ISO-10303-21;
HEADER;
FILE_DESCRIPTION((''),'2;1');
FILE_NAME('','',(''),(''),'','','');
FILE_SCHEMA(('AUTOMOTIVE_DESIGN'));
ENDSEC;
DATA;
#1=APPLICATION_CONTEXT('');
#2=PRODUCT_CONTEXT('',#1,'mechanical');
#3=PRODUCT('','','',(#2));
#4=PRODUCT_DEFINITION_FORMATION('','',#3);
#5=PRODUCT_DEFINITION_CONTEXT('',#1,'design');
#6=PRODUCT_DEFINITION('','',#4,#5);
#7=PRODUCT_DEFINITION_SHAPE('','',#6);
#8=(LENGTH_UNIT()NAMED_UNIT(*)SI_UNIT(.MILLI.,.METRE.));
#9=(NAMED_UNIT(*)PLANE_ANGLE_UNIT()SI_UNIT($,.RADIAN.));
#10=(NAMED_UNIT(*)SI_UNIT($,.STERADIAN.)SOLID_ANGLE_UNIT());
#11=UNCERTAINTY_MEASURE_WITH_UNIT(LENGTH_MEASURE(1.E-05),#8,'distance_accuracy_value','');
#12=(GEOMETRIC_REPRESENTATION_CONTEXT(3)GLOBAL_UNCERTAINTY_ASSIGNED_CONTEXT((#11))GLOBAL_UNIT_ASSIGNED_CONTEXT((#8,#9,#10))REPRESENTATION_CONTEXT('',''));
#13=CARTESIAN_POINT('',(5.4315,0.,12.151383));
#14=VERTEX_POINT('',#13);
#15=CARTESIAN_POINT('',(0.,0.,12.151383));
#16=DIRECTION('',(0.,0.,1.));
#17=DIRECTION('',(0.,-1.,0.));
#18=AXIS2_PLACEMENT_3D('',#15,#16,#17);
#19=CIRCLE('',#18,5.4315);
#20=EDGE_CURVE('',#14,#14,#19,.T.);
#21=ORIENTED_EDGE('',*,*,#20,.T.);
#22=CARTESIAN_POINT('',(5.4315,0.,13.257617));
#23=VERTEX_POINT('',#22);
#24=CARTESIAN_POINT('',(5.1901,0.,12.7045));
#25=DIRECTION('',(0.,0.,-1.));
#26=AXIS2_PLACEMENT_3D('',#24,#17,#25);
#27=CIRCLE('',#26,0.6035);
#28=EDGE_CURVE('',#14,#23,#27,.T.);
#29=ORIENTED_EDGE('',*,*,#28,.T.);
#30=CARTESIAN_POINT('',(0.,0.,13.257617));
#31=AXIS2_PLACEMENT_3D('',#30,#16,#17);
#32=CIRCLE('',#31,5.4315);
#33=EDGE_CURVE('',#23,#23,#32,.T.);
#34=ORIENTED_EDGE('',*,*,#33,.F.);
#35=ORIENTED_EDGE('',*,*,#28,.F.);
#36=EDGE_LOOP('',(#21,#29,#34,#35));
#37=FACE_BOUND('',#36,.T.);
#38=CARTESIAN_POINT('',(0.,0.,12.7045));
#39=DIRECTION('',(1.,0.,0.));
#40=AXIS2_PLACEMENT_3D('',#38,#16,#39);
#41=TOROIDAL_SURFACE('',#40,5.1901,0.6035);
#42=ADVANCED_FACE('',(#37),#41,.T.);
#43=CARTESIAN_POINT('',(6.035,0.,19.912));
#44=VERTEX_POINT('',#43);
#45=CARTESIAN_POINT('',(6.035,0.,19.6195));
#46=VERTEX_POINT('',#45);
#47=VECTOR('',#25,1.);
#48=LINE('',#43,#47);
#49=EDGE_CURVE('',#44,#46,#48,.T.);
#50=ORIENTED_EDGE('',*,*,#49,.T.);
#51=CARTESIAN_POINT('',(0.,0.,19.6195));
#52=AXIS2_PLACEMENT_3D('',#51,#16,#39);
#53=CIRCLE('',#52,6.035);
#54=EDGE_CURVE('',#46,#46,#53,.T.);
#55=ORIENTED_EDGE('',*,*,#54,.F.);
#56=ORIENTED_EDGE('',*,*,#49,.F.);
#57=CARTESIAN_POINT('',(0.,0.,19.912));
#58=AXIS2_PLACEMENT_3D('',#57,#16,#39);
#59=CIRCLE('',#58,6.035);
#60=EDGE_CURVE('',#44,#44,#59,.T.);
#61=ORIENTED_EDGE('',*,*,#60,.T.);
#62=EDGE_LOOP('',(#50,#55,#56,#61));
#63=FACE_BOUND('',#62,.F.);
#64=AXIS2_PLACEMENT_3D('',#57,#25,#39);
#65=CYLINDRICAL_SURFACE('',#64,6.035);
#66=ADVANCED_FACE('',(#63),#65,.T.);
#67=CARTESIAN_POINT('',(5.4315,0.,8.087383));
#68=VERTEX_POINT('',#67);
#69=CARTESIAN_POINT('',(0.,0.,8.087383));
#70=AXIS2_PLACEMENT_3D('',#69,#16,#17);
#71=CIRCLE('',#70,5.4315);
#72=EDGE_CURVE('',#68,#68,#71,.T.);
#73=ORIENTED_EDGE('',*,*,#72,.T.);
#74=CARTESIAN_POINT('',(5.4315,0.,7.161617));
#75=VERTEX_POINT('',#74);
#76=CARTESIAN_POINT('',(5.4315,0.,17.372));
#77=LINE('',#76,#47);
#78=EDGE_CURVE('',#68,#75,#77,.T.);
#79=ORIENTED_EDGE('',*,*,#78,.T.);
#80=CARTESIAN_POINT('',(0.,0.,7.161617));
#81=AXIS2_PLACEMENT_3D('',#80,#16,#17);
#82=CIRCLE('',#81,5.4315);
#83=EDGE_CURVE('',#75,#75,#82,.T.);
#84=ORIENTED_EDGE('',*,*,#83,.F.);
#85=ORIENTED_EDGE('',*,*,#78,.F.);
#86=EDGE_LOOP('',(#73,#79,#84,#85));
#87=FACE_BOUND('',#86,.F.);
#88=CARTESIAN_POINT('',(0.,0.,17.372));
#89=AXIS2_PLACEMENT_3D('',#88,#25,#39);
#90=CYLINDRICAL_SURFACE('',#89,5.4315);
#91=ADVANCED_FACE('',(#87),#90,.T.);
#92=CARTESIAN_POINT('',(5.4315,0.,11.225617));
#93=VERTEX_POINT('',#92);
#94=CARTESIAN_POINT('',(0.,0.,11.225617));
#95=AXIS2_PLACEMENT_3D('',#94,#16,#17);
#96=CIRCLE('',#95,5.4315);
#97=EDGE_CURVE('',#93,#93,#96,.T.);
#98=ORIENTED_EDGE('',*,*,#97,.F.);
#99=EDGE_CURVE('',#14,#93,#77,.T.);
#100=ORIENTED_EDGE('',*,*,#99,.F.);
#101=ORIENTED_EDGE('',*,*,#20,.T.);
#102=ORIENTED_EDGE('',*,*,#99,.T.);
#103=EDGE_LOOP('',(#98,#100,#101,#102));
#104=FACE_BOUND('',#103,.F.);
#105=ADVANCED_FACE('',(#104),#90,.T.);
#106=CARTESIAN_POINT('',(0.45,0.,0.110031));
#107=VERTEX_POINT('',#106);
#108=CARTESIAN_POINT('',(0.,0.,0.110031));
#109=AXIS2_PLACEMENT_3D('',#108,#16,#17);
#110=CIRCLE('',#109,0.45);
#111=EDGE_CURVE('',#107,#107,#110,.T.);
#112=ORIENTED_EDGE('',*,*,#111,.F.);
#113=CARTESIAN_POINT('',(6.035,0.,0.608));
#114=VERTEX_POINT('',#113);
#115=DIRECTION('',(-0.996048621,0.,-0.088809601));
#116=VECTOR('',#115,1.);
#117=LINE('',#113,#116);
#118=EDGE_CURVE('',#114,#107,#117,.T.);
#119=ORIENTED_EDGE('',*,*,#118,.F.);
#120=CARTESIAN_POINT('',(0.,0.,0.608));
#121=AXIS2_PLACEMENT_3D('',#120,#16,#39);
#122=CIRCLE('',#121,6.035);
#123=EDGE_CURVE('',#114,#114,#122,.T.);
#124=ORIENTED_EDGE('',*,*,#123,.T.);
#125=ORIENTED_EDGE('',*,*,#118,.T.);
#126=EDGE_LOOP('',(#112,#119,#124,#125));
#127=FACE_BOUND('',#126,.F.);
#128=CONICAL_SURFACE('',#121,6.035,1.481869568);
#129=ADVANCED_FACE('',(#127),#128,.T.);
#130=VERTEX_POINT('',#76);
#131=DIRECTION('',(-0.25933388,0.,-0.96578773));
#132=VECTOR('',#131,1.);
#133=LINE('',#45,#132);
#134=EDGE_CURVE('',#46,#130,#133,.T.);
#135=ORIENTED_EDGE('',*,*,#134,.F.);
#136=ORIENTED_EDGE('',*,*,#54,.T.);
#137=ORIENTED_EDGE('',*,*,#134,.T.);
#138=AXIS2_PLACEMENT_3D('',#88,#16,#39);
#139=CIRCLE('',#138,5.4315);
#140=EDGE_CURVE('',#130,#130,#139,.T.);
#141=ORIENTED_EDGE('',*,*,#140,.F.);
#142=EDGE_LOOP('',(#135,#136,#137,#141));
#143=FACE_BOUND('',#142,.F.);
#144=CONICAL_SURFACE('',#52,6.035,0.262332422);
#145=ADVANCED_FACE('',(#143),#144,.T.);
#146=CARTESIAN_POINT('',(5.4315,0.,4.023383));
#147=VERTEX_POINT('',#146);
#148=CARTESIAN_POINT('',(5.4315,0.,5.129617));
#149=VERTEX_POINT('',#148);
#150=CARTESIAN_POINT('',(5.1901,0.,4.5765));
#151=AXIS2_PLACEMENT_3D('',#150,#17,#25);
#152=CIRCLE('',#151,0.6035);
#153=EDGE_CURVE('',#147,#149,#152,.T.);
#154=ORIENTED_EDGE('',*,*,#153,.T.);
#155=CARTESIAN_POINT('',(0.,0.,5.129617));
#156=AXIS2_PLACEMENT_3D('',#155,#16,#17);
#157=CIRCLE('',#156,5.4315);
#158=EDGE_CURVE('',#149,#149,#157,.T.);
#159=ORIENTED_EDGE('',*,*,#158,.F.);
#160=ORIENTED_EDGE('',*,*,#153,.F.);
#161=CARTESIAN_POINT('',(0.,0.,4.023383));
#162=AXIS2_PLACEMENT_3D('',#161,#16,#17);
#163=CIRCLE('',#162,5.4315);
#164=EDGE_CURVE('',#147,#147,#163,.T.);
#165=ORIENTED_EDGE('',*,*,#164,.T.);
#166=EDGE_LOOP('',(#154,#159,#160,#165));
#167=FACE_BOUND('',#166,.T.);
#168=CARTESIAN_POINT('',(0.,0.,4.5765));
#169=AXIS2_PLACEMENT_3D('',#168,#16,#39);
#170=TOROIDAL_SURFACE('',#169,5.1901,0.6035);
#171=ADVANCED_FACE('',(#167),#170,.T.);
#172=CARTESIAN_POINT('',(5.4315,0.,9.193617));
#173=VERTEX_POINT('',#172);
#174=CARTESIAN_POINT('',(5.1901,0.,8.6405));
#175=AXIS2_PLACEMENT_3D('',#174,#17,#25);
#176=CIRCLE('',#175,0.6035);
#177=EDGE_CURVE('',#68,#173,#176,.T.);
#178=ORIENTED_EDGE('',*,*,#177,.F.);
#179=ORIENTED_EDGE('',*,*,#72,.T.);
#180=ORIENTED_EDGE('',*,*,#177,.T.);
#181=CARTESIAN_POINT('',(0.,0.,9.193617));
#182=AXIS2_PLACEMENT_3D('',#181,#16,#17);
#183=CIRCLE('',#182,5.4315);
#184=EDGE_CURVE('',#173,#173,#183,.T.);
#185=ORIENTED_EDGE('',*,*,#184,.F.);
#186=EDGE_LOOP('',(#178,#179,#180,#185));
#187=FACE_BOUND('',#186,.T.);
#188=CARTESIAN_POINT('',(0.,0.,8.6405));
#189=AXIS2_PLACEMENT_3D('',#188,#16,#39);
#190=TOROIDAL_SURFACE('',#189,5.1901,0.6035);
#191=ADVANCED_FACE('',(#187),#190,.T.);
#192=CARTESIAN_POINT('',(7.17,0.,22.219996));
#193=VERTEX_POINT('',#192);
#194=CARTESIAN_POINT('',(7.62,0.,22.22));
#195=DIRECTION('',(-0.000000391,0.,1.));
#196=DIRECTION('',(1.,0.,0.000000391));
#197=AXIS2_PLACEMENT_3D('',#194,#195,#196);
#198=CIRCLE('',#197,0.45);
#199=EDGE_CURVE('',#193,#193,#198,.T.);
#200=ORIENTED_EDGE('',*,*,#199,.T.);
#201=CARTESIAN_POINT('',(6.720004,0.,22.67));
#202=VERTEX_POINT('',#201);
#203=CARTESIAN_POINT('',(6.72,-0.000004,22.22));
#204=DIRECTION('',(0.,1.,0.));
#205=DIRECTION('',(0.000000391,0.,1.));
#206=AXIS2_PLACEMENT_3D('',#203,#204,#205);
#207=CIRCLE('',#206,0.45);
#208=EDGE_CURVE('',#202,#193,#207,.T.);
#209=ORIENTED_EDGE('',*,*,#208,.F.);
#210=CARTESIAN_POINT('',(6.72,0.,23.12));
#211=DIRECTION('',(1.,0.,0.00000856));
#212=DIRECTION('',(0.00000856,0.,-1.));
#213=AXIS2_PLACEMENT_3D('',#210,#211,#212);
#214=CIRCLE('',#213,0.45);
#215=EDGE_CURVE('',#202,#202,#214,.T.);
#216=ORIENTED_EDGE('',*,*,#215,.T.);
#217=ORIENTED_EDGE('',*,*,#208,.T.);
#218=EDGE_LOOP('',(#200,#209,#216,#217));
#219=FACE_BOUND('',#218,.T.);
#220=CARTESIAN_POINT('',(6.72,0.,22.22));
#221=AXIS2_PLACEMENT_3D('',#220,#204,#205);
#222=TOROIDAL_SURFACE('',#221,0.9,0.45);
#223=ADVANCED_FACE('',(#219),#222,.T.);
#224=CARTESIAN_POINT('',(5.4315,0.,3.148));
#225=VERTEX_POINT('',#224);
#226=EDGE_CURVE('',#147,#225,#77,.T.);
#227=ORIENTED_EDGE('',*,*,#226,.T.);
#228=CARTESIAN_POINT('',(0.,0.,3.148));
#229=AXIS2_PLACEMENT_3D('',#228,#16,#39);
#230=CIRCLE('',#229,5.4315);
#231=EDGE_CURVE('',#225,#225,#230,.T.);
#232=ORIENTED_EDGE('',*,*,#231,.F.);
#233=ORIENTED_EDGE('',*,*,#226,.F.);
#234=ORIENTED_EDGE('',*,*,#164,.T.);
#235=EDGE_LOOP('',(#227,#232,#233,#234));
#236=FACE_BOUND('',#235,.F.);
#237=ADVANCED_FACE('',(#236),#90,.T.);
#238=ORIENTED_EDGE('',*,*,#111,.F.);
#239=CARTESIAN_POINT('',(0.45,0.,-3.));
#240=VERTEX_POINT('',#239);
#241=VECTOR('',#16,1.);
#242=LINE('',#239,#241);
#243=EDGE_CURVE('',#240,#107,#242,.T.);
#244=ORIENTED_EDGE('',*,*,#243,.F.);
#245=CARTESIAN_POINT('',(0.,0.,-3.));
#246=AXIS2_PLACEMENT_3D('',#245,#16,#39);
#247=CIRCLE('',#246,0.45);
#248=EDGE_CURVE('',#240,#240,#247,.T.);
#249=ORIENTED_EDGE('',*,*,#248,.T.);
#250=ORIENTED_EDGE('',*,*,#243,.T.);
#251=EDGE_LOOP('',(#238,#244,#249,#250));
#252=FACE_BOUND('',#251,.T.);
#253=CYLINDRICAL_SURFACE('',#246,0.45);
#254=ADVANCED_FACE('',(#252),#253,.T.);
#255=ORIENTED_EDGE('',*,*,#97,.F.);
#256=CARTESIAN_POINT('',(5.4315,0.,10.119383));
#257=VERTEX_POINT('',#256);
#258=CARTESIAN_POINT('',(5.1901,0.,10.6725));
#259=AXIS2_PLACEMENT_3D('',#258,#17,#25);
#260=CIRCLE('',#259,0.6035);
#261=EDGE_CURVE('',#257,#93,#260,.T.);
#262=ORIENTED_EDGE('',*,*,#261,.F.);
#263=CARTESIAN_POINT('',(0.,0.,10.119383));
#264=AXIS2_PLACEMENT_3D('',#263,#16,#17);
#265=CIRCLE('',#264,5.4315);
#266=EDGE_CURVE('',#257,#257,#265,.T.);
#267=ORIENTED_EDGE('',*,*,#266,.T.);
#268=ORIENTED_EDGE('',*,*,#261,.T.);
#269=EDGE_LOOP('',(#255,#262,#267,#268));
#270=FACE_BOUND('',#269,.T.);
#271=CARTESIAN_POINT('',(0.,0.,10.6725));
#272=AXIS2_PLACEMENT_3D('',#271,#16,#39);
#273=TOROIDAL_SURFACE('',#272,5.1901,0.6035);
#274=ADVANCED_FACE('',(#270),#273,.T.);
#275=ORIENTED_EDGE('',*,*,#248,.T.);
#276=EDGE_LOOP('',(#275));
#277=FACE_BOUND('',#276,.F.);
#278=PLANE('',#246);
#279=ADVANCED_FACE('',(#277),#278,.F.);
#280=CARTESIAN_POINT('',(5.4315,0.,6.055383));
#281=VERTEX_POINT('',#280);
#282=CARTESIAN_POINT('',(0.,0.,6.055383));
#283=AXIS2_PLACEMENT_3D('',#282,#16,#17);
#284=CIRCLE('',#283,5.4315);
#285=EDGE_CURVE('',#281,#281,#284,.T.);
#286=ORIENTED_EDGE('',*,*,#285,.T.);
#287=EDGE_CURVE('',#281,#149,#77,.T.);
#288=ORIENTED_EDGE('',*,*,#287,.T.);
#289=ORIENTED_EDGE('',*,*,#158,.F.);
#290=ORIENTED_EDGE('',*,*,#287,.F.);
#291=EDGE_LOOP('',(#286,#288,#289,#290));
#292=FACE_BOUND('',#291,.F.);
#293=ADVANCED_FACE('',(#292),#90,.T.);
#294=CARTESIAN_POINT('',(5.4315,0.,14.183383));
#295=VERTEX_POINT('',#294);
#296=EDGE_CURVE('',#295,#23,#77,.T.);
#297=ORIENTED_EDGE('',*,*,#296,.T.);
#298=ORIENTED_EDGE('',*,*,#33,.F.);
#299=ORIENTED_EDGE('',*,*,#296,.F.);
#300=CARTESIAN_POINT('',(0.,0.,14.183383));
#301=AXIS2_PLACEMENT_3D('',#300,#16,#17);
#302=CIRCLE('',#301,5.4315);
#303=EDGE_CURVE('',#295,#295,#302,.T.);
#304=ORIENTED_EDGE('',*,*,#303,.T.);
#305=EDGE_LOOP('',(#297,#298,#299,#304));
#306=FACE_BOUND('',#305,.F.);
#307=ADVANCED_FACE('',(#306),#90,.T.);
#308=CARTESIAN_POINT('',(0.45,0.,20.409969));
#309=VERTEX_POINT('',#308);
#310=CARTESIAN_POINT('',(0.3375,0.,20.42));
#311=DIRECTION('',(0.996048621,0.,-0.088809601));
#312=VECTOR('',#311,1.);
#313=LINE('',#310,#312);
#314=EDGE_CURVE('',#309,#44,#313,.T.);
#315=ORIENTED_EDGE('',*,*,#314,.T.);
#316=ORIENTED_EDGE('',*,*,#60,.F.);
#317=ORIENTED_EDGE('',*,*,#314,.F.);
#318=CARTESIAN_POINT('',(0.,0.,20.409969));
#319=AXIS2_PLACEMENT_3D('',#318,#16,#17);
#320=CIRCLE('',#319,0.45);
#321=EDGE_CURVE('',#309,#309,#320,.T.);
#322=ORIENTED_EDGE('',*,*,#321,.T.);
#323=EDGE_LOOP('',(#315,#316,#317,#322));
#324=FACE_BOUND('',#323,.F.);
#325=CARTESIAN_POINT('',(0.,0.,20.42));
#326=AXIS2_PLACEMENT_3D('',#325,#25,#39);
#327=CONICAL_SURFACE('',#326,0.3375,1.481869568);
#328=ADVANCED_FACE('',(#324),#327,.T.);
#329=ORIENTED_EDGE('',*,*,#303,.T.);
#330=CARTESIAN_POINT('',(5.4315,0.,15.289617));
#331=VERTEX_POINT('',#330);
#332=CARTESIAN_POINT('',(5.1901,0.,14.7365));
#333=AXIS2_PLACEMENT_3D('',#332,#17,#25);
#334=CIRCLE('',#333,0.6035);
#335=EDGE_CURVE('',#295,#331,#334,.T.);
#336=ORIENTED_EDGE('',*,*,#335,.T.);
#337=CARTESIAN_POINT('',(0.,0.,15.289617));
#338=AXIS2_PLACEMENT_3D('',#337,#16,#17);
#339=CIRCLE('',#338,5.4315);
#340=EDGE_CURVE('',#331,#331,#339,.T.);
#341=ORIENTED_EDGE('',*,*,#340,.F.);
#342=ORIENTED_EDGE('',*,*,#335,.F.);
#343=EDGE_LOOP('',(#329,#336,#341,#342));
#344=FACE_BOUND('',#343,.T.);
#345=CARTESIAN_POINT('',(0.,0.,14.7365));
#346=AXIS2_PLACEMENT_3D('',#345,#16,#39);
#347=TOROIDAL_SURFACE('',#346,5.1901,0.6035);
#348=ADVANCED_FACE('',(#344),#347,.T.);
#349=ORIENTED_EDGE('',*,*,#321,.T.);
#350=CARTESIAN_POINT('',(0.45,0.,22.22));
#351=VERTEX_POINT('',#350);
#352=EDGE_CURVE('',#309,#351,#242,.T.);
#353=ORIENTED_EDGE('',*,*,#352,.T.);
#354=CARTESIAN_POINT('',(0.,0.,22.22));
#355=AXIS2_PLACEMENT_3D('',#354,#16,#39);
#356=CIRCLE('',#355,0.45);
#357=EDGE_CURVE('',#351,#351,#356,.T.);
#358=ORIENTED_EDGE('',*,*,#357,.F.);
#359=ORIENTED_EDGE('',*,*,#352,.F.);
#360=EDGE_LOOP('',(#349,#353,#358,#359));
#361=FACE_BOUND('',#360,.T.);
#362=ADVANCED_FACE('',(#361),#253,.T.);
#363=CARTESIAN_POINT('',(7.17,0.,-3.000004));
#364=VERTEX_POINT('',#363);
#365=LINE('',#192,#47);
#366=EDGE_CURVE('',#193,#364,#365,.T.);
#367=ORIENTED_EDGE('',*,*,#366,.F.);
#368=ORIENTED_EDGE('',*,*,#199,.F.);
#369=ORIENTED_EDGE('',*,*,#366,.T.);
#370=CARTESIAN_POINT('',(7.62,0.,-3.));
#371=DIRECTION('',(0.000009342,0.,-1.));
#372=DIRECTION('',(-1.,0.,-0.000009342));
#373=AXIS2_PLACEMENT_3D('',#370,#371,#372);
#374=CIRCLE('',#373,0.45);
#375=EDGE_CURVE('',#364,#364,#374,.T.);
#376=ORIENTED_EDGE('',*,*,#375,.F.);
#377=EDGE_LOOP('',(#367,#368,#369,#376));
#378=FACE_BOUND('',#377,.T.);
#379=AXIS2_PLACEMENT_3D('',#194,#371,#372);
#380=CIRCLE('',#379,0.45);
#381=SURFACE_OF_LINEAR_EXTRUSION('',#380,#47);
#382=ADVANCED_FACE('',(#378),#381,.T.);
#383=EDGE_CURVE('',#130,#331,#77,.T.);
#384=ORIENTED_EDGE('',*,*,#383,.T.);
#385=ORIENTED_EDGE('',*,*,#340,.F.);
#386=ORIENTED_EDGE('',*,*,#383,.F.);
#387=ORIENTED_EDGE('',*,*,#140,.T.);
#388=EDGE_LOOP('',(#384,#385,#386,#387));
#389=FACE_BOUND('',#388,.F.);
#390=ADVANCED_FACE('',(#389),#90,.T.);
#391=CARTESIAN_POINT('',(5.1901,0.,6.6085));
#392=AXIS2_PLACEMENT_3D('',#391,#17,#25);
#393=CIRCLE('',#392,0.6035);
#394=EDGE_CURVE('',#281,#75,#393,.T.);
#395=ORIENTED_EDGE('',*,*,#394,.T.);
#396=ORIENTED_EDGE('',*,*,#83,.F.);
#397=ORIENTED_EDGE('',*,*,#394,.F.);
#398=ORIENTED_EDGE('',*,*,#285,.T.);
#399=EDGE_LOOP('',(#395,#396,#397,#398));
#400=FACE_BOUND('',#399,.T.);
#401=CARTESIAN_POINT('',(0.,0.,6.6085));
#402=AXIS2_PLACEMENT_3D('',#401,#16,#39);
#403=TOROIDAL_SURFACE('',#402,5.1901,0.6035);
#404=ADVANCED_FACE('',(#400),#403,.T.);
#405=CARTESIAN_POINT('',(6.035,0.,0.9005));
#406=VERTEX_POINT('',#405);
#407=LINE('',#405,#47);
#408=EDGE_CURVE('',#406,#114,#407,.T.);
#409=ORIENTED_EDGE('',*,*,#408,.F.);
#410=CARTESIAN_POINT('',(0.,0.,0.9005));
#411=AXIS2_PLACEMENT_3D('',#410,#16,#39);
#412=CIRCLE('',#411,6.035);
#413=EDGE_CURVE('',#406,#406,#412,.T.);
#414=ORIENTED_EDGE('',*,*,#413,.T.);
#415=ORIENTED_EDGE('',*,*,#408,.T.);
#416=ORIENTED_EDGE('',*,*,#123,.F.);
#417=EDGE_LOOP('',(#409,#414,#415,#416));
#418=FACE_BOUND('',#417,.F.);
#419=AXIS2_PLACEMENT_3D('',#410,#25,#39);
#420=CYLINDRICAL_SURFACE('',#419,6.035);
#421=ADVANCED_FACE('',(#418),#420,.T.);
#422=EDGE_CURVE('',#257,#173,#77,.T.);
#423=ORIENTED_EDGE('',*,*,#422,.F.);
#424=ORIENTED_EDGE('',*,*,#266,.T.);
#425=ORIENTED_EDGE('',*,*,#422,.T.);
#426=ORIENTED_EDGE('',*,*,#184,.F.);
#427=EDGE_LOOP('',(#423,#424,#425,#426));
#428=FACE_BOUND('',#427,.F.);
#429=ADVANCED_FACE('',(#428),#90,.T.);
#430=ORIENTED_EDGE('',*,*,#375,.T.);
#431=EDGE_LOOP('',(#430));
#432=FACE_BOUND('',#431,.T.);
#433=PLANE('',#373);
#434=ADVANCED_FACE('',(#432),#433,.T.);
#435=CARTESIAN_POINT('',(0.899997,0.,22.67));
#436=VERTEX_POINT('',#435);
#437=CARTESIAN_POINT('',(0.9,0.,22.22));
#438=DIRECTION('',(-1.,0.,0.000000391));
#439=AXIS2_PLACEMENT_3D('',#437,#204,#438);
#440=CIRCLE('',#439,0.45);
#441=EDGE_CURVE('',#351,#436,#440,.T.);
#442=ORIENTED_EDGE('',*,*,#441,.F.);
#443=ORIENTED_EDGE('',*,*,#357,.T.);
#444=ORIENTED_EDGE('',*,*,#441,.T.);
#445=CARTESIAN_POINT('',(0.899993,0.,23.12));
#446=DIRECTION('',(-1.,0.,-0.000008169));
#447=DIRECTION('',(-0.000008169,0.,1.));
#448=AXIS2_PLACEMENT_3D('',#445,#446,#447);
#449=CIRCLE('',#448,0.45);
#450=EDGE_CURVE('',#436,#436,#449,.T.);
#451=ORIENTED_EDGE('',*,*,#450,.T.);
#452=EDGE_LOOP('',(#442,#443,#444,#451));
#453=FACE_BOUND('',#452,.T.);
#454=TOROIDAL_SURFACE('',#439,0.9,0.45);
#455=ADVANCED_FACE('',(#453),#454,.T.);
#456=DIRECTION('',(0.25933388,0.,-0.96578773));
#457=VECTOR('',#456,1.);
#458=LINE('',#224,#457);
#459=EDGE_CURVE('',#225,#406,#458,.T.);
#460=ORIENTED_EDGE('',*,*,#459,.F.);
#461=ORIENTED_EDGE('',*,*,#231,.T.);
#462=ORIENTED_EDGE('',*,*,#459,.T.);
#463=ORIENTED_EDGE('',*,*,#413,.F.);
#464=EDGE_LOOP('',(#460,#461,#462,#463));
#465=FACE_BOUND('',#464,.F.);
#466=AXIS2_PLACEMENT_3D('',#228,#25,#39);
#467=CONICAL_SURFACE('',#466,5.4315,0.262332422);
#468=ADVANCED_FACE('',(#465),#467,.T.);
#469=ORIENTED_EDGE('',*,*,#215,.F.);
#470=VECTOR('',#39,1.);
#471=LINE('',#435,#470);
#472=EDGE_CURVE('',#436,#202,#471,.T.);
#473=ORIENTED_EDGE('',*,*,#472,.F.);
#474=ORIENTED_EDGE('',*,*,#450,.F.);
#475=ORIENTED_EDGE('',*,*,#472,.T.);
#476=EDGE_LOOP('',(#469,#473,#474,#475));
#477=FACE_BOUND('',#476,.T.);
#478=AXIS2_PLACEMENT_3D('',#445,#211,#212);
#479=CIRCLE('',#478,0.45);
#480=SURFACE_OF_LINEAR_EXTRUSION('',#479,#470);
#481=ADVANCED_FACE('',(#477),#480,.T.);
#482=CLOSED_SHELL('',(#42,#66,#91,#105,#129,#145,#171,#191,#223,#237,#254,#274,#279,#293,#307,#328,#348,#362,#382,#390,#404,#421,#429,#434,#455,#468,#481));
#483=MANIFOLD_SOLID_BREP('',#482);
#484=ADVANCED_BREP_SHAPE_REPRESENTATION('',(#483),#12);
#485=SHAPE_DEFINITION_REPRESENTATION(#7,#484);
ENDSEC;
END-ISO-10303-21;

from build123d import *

# Parameters (mm, degrees)
SKETCH_R = 0.45


with BuildPart() as revolution:
    # Sketch002 → Revolution (revolve)
    with BuildSketch(Plane.XZ):
        Polygon((0, 0.1), (0, 20.42), (0.3375, 20.42), (6.035, 19.912), (6.035, 19.6195), (5.4315, 17.372), (5.4315, 3.148), (6.035, 0.9005), (6.035, 0.608), (0.3375, 0.1), align=None)
    revolve(axis=Axis((0, 0, 0), (0, 0, 1)))


with BuildPart() as sweep_body:
    # Sweep: sweep along a path in Sketch001
    with BuildLine(Plane.XZ) as sweep_path:
        Line((0, -3), (0, 22.22))
        ThreePointArc((0, 22.22), (0.263601, 22.856393), (0.899993, 23.12))
        Line((0.899993, 23.12), (6.72, 23.12))
        ThreePointArc((6.72, 23.12), (7.356396, 22.856396), (7.62, 22.22))
        Line((7.62, 22.22), (7.62, -3))
    # Sketch → Sweep (sweep)
    with BuildSketch(Plane.XY.offset(-2)):
        Circle(SKETCH_R)
    sweep(path=sweep_path.line)


with BuildPart() as revolution001_mp_cp:
    # Sketch003 → Revolution001 (revolve)
    with BuildSketch(Plane.XZ):
        with BuildLine():
            Line((4.828, 16.165), (4.828, 3.148))
            Line((4.828, 3.148), (5.1901, 3.148))
            Line((5.1901, 3.148), (5.1901, 3.973))
            ThreePointArc((5.1901, 3.973), (5.7936, 4.5765), (5.1901, 5.18))
            Line((5.1901, 5.18), (5.1901, 6.005))
            ThreePointArc((5.1901, 6.005), (5.7936, 6.6085), (5.1901, 7.212))
            Line((5.1901, 7.212), (5.1901, 8.037))
            ThreePointArc((5.1901, 8.037), (5.7936, 8.6405), (5.1901, 9.244))
            Line((5.1901, 9.244), (5.1901, 10.069))
            ThreePointArc((5.1901, 10.069), (5.7936, 10.6725), (5.1901, 11.276))
            Line((5.1901, 11.276), (5.1901, 12.101))
            ThreePointArc((5.1901, 12.101), (5.7936, 12.7045), (5.1901, 13.308))
            Line((5.1901, 13.308), (5.1901, 14.133))
            ThreePointArc((5.1901, 14.133), (5.7936, 14.7365), (5.1901, 15.34))
            Line((5.1901, 16.165), (5.1901, 15.34))
            Line((4.828, 16.165), (5.1901, 16.165))
        make_face()
    revolve(axis=Axis((0, 0, 0), (0, 0, 1)))

    # Revolution001_mp_cp: union Revolution, Sweep body
    add(revolution.part)
    add(sweep_body.part)


solid = revolution001_mp_cp.part
